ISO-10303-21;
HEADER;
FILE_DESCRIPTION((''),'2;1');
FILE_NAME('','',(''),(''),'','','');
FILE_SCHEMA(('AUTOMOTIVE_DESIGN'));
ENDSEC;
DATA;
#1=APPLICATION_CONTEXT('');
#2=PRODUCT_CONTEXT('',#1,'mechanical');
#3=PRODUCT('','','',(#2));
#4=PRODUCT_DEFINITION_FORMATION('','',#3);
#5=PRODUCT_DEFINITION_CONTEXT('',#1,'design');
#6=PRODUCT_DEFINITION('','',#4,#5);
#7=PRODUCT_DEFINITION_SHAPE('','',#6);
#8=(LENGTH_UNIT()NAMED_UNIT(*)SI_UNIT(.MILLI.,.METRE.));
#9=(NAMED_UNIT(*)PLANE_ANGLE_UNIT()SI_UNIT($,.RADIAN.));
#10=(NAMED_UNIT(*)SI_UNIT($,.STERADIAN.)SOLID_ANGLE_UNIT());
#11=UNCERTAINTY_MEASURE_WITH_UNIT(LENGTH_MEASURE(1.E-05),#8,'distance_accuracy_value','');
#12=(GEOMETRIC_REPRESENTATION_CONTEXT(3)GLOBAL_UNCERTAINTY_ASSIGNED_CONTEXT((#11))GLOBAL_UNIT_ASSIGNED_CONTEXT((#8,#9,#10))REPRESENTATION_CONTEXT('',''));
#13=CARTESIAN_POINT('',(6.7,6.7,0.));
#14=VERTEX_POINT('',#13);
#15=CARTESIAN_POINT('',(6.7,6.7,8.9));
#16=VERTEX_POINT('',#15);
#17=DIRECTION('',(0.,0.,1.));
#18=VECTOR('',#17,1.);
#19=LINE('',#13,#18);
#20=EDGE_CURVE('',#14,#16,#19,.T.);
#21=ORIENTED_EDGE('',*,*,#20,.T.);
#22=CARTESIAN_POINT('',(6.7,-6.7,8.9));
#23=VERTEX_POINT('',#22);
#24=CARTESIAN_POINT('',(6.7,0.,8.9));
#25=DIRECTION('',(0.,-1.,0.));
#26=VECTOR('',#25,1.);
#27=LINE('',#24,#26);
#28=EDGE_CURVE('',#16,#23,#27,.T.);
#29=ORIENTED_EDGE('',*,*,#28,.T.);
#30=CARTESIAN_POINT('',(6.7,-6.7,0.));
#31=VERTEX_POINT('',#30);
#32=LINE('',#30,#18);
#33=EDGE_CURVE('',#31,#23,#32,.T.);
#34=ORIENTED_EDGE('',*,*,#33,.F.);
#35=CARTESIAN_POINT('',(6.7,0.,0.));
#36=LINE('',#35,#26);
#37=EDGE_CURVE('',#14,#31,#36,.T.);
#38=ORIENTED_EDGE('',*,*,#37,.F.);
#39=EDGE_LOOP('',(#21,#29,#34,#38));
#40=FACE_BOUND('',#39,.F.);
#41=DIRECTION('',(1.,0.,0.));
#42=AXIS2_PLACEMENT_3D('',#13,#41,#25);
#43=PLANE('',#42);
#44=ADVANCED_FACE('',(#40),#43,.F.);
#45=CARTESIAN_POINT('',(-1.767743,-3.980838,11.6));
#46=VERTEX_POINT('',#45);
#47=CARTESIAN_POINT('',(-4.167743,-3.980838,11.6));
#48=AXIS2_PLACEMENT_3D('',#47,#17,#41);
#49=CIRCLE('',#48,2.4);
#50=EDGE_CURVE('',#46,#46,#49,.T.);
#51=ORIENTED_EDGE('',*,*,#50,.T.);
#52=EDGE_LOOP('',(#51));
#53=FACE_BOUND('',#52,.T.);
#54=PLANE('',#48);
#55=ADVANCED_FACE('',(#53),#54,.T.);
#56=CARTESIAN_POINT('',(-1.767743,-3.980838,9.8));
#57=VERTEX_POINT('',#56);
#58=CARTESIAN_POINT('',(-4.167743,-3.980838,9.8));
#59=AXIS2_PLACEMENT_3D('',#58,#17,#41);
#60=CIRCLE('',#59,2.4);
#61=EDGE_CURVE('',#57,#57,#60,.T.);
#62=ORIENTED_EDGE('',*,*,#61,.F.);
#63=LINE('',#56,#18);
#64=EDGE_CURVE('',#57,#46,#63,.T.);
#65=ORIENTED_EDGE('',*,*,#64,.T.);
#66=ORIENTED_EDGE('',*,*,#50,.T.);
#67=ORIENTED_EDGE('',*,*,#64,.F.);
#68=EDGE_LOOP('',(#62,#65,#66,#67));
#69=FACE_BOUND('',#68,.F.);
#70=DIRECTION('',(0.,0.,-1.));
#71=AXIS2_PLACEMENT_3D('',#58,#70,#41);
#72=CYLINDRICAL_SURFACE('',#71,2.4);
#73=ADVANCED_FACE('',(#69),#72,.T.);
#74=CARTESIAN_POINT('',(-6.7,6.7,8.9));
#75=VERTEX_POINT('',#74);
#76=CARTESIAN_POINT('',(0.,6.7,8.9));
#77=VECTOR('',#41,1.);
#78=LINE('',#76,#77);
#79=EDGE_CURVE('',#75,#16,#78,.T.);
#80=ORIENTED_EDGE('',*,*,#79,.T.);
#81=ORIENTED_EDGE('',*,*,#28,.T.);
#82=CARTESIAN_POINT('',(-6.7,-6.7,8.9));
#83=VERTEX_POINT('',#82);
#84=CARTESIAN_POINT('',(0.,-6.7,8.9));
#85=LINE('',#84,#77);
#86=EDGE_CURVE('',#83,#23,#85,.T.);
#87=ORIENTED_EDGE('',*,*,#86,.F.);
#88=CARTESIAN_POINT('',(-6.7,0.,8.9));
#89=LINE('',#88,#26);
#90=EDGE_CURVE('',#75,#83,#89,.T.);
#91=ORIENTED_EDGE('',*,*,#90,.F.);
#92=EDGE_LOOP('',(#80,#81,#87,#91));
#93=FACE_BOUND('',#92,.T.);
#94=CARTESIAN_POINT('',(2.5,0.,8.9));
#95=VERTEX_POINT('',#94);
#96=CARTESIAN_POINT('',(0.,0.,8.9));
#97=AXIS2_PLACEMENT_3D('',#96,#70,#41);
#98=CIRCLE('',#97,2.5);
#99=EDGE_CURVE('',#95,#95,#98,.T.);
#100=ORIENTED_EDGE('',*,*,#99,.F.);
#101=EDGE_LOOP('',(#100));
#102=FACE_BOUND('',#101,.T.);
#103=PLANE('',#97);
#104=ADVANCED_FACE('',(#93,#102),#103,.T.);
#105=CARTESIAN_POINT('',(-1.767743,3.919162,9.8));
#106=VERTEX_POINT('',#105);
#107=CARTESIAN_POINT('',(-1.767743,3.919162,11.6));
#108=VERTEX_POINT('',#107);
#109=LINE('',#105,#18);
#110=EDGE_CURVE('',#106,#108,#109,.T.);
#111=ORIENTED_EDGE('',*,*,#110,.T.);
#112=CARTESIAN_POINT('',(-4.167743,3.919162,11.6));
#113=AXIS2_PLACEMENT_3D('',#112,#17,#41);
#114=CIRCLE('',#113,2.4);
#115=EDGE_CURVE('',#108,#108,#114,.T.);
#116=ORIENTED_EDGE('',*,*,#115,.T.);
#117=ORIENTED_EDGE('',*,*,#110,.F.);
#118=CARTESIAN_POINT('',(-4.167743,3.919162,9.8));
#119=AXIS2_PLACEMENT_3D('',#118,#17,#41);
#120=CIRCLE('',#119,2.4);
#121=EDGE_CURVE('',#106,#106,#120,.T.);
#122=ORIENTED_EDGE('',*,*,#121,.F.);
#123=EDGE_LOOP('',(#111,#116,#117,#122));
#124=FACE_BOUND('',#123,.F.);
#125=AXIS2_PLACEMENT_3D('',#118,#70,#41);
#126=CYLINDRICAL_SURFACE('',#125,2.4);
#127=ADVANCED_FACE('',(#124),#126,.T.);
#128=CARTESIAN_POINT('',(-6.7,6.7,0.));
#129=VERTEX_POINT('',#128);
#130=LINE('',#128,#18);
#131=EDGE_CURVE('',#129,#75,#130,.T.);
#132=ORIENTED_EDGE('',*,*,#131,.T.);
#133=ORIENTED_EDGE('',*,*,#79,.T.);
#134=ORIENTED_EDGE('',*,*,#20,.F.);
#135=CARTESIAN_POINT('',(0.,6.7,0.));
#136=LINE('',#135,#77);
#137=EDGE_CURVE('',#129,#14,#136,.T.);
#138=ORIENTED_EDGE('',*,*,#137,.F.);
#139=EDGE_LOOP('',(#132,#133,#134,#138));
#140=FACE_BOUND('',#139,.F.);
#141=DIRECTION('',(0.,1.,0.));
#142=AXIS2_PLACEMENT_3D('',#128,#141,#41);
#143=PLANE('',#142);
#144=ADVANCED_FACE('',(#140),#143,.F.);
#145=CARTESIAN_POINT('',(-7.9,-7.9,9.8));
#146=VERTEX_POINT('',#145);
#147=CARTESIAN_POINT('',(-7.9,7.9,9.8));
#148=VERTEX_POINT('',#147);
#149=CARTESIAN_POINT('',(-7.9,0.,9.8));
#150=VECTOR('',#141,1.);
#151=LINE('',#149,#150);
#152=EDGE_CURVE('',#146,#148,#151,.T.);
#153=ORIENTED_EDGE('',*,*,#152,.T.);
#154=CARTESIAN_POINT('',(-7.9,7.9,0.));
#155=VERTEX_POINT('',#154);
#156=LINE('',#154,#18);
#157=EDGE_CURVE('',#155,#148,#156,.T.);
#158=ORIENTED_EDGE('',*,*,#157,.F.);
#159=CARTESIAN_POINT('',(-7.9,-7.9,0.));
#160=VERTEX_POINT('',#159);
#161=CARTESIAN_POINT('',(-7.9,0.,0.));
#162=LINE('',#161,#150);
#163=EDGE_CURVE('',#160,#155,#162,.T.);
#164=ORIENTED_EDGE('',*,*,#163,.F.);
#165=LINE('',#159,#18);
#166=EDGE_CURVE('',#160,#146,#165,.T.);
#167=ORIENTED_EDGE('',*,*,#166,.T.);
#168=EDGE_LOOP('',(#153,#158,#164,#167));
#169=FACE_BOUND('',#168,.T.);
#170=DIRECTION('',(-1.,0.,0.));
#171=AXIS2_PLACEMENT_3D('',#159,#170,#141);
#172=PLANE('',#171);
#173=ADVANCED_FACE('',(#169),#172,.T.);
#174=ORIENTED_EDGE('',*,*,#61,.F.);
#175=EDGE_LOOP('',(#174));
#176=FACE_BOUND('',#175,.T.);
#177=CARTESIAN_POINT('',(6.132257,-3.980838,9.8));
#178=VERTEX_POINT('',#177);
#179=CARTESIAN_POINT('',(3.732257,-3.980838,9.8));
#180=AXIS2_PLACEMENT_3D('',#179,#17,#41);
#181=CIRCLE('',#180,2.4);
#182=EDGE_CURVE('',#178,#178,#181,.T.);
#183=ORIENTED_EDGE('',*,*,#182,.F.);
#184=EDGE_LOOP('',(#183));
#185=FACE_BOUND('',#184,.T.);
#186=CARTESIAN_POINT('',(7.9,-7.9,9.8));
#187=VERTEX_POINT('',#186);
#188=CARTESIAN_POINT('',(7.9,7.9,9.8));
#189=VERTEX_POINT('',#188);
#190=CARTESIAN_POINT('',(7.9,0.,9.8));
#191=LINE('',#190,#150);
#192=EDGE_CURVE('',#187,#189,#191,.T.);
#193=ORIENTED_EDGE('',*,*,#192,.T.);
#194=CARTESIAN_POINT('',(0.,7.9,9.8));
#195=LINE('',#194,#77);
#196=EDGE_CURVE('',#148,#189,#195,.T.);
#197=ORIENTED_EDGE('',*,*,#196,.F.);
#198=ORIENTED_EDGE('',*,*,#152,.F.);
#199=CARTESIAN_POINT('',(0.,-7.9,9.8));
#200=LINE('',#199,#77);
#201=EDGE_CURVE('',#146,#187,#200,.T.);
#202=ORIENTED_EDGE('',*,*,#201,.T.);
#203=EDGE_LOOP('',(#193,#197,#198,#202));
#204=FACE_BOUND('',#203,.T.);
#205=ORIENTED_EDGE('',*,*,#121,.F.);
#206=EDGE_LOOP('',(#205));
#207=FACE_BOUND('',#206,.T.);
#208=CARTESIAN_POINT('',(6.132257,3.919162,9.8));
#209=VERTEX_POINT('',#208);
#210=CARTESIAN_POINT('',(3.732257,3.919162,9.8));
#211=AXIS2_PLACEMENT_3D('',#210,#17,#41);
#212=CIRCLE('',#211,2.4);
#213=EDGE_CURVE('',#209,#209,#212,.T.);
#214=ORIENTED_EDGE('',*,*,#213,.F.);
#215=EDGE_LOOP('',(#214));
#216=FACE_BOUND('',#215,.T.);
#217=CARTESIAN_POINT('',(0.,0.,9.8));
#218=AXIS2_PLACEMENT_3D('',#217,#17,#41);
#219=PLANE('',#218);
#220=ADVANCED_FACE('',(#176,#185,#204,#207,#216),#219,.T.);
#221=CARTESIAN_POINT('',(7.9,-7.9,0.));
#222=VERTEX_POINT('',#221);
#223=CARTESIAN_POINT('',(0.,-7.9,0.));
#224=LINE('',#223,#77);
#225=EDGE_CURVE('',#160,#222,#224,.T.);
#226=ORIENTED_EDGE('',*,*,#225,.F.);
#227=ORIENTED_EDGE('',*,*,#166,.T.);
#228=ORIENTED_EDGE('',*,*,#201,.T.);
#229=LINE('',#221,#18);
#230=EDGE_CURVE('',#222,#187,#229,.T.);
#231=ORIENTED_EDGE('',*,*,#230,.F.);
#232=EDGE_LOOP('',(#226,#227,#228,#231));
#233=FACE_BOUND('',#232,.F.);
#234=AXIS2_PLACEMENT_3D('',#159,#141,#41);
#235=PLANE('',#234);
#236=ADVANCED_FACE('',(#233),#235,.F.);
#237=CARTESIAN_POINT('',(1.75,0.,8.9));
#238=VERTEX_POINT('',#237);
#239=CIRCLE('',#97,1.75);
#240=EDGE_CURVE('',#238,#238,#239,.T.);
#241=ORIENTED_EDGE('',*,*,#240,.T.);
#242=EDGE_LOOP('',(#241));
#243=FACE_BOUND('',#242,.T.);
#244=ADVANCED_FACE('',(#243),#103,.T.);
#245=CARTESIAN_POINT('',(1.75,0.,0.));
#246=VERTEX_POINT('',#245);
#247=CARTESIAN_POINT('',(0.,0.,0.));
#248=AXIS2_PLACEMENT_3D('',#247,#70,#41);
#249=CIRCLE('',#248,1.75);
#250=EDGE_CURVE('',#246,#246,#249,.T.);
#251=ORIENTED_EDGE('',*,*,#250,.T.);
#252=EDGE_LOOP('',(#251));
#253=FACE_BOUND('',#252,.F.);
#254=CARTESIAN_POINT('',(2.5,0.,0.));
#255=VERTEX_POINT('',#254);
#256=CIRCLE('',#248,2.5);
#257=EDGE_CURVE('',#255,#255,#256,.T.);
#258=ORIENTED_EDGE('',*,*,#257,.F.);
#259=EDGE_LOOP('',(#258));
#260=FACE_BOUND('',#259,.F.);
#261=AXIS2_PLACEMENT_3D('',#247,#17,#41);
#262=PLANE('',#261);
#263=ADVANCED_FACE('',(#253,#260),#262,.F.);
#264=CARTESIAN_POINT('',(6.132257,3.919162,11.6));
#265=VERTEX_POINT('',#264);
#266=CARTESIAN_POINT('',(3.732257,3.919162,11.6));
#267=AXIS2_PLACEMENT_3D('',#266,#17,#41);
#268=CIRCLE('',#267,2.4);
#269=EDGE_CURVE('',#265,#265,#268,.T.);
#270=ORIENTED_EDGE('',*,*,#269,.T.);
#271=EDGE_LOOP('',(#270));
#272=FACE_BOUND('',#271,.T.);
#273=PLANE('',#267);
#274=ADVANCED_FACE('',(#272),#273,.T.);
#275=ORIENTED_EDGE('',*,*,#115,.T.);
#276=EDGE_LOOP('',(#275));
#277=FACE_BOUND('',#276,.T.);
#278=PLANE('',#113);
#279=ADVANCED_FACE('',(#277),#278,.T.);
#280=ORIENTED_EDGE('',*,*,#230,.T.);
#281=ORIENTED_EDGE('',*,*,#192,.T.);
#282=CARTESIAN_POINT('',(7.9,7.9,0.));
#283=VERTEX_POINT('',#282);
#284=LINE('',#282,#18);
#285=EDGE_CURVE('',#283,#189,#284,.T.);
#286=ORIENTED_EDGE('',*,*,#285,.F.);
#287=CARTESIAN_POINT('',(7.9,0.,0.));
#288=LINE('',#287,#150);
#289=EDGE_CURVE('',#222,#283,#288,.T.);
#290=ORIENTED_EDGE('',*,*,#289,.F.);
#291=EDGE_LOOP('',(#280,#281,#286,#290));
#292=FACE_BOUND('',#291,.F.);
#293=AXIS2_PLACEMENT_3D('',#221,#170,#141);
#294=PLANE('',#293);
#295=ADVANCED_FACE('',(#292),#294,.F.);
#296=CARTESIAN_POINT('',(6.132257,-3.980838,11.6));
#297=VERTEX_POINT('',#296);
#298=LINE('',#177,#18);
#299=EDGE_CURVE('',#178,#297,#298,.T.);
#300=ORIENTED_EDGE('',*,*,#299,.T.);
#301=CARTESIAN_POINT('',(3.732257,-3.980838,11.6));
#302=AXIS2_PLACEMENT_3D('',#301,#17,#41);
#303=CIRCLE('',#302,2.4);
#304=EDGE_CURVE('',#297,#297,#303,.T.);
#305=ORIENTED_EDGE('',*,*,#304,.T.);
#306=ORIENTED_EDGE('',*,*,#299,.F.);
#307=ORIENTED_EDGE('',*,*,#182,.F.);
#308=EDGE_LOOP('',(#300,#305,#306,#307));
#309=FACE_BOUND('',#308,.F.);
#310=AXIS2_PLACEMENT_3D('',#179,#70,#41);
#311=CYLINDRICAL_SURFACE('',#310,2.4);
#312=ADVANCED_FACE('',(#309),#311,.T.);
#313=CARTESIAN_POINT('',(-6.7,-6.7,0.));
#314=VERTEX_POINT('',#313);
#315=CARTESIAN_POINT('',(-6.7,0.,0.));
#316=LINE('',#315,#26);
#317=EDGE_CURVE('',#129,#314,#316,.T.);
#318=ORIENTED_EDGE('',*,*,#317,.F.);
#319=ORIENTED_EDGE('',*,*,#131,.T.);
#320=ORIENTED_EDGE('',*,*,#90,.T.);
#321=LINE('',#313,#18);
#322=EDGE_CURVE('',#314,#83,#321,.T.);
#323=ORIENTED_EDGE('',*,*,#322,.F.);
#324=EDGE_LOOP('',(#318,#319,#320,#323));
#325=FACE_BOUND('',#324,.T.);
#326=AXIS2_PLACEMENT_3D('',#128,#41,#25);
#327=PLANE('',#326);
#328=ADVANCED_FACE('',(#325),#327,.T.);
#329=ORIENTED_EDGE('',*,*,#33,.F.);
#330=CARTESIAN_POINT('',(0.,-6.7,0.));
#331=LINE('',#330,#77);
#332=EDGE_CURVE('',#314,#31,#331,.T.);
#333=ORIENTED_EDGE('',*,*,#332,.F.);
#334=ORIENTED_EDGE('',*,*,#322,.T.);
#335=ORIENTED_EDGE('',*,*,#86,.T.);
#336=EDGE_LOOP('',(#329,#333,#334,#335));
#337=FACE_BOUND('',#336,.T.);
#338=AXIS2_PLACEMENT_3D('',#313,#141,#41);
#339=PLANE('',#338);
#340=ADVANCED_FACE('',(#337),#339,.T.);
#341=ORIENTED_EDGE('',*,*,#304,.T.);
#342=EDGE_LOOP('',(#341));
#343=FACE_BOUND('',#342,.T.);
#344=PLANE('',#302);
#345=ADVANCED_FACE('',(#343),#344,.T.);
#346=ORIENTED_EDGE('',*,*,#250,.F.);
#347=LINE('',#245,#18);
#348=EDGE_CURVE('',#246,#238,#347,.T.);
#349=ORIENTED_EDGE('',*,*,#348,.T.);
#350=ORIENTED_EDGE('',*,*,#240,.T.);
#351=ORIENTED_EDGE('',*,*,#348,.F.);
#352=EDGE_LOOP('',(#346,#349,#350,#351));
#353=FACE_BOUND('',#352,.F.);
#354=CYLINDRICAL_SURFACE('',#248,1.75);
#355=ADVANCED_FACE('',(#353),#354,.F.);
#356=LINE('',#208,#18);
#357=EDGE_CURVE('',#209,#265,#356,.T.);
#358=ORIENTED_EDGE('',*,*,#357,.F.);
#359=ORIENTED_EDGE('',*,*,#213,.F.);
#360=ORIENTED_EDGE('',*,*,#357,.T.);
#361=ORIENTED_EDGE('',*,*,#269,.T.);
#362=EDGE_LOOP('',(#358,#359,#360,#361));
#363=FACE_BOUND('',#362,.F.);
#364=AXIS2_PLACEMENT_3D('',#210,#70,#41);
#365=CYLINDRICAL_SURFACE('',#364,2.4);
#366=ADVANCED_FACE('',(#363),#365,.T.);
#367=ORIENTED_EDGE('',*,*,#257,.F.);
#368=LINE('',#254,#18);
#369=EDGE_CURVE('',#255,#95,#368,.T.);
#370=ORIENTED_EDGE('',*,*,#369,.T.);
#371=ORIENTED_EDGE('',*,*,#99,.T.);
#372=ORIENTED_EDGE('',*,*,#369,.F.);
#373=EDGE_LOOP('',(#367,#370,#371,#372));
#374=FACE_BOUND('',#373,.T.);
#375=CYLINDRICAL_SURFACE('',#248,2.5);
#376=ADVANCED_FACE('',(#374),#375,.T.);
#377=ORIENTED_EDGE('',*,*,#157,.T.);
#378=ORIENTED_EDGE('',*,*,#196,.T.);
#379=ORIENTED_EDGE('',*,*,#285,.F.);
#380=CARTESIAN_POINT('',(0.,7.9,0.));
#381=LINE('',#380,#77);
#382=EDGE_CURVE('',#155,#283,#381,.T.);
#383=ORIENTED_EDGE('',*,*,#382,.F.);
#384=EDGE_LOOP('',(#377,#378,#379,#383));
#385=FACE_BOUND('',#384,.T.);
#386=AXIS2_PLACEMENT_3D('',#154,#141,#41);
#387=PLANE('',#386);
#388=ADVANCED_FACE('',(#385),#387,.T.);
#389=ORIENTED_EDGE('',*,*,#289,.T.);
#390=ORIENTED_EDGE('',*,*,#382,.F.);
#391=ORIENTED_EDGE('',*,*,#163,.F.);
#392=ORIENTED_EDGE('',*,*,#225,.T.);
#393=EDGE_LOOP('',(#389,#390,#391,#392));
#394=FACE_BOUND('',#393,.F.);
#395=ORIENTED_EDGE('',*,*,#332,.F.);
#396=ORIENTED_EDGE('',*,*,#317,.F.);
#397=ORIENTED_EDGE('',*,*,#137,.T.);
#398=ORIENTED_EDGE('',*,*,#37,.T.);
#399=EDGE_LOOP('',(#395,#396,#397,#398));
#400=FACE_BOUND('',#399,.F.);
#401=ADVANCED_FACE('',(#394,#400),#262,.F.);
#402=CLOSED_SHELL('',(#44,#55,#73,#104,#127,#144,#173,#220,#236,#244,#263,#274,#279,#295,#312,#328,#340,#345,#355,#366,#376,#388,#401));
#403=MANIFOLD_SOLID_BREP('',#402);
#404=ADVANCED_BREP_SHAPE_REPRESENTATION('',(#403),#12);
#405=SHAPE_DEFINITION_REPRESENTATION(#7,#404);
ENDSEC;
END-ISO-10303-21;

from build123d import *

# Parameters (mm, degrees)
F0_W     = 15.8
F0_H     = 15.8
F1_DEPTH = 9.8
F2_R     = 2.4
F3_DEPTH = 1.8
F4_W     = 13.4
F4_H     = 13.4
F4_R     = 2.5
F4_R_2   = 1.75
F5_DEPTH = 8.9


with BuildPart() as f1:
    # F0 (on Top) → F1 (new body)
    with BuildSketch(Plane.XY):
        Rectangle(F0_W, F0_H)
    extrude(amount=F1_DEPTH)

    # F2 (on face) → F3 (join)
    with BuildSketch(Plane.XY.offset(9.8)):
        with Locations((-4.167743, 3.919162)):
            Circle(F2_R)
        with Locations((3.732257, 3.919162)):
            Circle(F2_R)
        with Locations((3.732257, -3.980838)):
            Circle(F2_R)
        with Locations((-4.167743, -3.980838)):
            Circle(F2_R)
    extrude(amount=F3_DEPTH)

    # F4 (on face) → F5 (cut)
    with BuildSketch(Plane(origin=(0, 0, 0), x_dir=(1, 0, 0), z_dir=(0, 0, -1))):
        Rectangle(F4_W, F4_H)
        Circle(F4_R, mode=Mode.SUBTRACT)
        Circle(F4_R_2)
    extrude(amount=-F5_DEPTH, mode=Mode.SUBTRACT)


solid = f1.part
